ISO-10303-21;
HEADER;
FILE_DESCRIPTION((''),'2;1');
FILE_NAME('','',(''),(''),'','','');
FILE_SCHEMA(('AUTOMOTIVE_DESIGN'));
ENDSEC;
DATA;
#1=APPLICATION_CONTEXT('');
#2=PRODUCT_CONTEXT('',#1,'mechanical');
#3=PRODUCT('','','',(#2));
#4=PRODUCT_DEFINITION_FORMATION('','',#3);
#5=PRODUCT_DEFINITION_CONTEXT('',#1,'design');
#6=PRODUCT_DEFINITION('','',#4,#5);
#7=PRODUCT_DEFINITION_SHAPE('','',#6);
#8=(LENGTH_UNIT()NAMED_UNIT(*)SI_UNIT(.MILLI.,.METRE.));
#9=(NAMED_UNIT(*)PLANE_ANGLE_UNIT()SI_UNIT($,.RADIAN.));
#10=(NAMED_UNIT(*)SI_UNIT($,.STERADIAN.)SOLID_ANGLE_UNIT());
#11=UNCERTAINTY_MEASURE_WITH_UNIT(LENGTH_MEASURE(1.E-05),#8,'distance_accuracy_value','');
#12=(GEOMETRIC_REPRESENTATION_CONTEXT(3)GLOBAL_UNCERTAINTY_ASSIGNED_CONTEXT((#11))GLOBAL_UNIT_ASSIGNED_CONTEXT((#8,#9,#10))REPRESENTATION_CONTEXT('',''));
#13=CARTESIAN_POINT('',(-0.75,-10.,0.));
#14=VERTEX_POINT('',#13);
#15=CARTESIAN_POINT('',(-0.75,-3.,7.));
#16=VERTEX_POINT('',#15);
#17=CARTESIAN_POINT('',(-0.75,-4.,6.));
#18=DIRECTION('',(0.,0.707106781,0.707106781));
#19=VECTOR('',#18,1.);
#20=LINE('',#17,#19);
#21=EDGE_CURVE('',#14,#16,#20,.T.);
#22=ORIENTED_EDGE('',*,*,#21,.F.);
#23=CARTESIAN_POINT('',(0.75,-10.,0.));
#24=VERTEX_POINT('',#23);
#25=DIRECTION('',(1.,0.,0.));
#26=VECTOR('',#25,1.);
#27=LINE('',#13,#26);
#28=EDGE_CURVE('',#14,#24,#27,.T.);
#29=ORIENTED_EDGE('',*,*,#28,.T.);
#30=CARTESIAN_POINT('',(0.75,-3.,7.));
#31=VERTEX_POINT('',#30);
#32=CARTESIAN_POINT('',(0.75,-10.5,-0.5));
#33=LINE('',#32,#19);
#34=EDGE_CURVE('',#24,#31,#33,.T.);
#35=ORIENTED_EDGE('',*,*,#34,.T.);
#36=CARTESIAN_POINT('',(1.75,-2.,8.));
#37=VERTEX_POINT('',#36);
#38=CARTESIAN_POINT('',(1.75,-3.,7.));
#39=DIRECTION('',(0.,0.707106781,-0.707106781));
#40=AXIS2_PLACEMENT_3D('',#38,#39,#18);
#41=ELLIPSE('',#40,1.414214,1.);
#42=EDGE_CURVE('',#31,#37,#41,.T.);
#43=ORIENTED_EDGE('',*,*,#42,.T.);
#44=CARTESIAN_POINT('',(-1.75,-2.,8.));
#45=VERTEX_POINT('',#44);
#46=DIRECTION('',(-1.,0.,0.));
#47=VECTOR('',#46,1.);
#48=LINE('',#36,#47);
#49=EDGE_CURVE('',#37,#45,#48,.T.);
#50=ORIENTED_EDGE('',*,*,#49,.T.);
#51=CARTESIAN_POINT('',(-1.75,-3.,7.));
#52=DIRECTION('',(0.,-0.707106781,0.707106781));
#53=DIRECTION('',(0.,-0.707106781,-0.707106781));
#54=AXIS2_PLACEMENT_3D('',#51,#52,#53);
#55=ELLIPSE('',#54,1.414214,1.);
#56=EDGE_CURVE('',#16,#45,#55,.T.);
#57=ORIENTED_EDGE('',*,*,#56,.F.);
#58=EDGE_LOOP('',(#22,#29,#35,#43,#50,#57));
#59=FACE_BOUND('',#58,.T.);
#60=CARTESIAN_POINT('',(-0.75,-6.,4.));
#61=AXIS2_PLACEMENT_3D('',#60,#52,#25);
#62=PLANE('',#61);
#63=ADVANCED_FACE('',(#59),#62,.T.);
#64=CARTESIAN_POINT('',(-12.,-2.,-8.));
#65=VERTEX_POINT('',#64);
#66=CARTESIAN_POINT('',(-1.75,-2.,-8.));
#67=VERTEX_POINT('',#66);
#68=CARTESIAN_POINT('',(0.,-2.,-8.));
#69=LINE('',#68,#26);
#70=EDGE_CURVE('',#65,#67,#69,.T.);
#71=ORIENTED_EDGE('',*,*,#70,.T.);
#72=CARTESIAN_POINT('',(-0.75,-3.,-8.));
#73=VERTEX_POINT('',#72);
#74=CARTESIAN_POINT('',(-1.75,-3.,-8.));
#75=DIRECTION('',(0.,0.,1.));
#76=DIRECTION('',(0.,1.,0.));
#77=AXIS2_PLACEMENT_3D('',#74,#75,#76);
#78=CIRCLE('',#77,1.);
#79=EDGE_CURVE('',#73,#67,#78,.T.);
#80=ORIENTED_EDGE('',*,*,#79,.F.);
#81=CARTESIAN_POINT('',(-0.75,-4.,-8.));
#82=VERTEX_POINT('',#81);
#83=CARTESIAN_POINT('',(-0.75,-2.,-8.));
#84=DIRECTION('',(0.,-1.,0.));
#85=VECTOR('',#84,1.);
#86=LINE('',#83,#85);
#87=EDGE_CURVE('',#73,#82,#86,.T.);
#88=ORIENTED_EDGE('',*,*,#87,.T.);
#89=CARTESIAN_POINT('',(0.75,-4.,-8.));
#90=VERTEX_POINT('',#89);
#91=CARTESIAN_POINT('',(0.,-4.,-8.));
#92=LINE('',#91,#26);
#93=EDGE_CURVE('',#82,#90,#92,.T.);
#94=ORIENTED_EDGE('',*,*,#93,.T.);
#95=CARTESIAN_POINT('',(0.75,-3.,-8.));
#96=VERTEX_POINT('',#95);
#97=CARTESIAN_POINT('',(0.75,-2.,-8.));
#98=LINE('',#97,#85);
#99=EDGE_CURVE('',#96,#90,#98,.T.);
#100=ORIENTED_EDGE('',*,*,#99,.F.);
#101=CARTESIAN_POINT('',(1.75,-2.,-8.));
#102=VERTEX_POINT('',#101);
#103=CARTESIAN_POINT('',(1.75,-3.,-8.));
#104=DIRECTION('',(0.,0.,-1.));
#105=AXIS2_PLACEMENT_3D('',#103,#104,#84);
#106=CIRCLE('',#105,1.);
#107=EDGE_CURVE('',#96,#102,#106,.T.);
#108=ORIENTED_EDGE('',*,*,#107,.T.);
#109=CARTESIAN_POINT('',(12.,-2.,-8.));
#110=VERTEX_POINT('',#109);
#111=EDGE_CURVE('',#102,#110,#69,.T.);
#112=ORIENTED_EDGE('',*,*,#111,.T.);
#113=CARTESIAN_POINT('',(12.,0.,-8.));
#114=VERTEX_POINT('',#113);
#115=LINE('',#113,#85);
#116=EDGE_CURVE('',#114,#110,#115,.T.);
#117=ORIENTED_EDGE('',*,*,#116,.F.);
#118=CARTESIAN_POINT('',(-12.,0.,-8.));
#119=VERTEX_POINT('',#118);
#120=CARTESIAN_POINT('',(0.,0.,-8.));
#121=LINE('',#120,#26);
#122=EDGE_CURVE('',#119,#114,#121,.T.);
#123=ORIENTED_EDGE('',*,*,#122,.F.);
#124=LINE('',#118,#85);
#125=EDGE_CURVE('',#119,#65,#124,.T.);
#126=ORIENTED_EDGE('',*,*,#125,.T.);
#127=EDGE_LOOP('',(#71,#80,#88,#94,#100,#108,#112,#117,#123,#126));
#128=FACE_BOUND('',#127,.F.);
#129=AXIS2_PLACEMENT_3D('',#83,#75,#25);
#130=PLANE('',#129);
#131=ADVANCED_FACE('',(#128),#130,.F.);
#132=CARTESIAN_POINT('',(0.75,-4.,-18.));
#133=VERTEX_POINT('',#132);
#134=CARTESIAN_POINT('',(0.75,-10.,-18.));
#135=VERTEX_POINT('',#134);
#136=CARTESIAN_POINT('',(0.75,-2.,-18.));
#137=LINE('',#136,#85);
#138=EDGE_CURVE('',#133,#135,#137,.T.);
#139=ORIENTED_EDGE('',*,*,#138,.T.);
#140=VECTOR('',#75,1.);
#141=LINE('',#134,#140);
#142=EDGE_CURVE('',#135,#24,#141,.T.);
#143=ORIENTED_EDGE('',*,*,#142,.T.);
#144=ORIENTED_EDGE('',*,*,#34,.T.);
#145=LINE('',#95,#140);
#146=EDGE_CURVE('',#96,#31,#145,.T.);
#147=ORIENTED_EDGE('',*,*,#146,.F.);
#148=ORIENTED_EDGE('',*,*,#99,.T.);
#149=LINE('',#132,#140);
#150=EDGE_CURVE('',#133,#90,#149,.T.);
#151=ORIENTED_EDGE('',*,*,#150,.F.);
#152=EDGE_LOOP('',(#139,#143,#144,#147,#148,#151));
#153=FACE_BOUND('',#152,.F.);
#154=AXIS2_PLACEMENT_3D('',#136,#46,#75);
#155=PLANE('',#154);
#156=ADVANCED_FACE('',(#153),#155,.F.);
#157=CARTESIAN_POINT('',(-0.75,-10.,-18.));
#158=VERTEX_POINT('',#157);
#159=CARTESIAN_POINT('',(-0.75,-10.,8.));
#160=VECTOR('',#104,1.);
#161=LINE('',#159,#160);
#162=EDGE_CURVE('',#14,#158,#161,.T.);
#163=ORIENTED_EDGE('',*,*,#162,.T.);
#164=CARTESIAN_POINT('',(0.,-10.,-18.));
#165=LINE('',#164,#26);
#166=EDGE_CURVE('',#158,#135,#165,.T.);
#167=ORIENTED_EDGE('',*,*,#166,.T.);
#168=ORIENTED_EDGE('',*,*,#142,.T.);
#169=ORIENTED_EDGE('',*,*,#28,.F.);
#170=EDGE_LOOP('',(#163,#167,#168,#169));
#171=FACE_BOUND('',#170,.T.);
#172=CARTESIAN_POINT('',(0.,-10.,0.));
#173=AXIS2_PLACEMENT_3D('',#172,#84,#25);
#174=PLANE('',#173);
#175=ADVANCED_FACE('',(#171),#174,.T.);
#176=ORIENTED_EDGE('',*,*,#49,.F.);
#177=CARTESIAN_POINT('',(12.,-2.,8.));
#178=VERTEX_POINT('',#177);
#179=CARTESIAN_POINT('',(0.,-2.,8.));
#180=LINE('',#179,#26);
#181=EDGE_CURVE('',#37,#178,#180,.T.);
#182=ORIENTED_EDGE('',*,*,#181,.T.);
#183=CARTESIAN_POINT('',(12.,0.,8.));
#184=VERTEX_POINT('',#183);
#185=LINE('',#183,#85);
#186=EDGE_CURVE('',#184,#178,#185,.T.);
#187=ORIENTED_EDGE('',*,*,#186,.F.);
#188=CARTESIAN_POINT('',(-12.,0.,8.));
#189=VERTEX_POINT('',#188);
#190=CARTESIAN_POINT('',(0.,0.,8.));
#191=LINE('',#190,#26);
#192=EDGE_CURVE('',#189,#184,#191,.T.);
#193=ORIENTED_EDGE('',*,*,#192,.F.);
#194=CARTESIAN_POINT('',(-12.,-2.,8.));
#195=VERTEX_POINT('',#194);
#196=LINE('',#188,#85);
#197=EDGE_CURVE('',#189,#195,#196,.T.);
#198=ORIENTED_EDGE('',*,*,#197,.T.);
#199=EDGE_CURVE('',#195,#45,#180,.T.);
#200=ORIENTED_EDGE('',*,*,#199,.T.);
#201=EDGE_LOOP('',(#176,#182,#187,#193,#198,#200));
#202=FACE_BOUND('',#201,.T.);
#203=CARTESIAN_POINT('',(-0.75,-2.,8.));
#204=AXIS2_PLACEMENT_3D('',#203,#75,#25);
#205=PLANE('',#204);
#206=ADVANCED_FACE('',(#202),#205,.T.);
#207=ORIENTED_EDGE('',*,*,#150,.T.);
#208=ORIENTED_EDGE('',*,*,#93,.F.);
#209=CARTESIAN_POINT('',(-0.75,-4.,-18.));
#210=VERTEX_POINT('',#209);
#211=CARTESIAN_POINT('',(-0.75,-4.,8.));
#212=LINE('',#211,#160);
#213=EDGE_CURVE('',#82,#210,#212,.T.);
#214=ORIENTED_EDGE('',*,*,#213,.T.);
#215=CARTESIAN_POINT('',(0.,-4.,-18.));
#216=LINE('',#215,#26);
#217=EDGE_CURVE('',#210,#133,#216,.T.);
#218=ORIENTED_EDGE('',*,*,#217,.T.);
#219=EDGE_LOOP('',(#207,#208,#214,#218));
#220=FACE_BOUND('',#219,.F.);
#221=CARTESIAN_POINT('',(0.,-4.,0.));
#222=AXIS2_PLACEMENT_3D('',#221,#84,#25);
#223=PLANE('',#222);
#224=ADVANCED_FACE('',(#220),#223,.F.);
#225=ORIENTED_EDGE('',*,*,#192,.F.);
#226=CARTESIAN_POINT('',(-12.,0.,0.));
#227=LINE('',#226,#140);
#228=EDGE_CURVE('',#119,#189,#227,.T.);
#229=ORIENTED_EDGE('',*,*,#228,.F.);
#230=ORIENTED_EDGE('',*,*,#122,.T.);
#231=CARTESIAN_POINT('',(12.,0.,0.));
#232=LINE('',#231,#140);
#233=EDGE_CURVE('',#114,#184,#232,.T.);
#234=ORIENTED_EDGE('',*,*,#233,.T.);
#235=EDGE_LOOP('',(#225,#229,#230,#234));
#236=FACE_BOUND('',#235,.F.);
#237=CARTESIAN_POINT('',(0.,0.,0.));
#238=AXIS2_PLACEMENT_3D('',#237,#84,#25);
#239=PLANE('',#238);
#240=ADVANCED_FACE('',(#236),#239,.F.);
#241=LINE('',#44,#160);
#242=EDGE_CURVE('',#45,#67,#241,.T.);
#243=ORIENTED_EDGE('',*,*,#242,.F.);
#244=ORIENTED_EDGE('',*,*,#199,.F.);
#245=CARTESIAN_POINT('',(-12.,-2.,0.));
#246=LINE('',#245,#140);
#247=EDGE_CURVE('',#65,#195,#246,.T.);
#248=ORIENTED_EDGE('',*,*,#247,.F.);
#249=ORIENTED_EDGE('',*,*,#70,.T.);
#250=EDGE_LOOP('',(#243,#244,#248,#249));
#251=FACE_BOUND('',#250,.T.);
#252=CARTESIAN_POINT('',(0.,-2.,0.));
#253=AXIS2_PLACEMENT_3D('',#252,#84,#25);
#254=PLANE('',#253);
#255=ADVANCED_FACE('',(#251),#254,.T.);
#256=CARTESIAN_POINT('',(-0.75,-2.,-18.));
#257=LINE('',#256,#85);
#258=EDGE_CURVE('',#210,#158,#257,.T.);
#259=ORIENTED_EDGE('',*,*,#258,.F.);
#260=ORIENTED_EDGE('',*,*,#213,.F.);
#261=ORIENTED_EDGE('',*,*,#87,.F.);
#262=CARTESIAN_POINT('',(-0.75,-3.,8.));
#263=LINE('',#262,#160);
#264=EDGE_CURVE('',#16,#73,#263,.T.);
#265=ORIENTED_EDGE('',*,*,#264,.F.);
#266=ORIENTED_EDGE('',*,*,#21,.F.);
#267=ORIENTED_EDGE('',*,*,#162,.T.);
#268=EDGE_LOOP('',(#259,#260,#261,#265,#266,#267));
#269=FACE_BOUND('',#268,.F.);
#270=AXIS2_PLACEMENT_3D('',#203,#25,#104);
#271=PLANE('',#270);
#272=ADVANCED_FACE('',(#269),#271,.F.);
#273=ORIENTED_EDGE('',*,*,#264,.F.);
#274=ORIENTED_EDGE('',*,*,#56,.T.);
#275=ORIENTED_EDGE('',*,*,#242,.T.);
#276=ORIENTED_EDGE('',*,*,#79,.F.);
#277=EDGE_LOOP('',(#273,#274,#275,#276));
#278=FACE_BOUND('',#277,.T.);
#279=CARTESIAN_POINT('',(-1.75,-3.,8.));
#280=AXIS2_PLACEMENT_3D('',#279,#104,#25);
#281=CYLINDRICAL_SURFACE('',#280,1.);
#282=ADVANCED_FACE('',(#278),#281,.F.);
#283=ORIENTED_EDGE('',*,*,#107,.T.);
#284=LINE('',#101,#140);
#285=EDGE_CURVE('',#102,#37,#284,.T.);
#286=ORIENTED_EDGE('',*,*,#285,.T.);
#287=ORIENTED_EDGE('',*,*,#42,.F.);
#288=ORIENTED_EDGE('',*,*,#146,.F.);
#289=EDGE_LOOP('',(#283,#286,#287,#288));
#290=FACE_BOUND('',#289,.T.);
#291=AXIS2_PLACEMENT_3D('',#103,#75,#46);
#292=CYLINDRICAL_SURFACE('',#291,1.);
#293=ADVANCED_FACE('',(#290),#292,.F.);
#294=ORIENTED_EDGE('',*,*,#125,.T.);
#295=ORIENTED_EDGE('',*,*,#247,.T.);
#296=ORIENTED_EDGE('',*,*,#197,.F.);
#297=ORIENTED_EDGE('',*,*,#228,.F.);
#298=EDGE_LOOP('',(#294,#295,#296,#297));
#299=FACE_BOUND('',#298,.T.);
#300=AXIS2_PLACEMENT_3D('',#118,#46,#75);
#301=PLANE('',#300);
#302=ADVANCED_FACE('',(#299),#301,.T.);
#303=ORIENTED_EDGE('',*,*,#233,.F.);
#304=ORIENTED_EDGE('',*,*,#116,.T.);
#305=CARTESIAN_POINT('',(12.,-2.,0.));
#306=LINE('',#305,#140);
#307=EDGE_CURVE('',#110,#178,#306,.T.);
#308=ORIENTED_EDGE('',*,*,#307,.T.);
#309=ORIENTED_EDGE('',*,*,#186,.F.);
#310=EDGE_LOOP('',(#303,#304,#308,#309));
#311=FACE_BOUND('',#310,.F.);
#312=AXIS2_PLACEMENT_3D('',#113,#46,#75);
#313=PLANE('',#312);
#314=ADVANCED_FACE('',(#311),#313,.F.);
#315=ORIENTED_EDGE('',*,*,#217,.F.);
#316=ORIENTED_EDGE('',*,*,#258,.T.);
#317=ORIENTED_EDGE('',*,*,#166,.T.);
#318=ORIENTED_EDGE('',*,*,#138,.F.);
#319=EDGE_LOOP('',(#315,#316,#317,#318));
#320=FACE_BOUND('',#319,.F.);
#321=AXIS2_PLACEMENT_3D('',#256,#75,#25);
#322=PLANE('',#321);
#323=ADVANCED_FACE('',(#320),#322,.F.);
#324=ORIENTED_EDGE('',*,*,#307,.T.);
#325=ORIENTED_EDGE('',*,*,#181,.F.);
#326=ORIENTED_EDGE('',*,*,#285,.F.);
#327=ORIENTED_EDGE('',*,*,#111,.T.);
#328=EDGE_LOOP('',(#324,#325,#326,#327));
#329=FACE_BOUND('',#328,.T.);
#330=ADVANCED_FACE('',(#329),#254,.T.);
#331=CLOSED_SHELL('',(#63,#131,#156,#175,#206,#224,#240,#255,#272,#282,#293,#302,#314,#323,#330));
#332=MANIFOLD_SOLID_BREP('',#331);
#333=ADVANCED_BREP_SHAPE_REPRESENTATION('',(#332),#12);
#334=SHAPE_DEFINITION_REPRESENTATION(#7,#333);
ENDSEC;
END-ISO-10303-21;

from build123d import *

# Parameters (mm, degrees)
F0_W     = 24
F0_H     = 16
F1_DEPTH = 2
F2_W     = 1.5
F2_H     = 16
F2_H_2   = 10
F3_DEPTH = 8
F4_DEPTH = 2
F5_SIZE  = 8
F6_R     = 1


with BuildPart() as f1:
    # F0 (on Front) → F1 (new body)
    with BuildSketch(Plane.XZ):
        Rectangle(F0_W, F0_H)
    extrude(amount=F1_DEPTH)

    # F2 (on face) → F3 (join)
    with BuildSketch(Plane.XZ.offset(2)):
        Rectangle(F2_W, F2_H)
        with Locations((0, -13)):
            Rectangle(F2_W, F2_H_2)
    extrude(amount=F3_DEPTH)

    # F4 (cut): a face of the model
    f4_faces = [f1.faces().sort_by_distance(p)[0] for p in [
        (0, -2, -13),
    ]]
    extrude(f4_faces, amount=-F4_DEPTH, mode=Mode.SUBTRACT)

    # F5
    f5_edges = [f1.edges().sort_by_distance(p)[0] for p in [
        (0, -10, 8),
    ]]
    chamfer(f5_edges, length=F5_SIZE)

    # F6
    f6_edges = [f1.edges().sort_by_distance(p)[0] for p in [
        (-0.75, -2, 0),
        (0.75, -2, 0),
    ]]
    fillet(f6_edges, radius=F6_R)


solid = f1.part
